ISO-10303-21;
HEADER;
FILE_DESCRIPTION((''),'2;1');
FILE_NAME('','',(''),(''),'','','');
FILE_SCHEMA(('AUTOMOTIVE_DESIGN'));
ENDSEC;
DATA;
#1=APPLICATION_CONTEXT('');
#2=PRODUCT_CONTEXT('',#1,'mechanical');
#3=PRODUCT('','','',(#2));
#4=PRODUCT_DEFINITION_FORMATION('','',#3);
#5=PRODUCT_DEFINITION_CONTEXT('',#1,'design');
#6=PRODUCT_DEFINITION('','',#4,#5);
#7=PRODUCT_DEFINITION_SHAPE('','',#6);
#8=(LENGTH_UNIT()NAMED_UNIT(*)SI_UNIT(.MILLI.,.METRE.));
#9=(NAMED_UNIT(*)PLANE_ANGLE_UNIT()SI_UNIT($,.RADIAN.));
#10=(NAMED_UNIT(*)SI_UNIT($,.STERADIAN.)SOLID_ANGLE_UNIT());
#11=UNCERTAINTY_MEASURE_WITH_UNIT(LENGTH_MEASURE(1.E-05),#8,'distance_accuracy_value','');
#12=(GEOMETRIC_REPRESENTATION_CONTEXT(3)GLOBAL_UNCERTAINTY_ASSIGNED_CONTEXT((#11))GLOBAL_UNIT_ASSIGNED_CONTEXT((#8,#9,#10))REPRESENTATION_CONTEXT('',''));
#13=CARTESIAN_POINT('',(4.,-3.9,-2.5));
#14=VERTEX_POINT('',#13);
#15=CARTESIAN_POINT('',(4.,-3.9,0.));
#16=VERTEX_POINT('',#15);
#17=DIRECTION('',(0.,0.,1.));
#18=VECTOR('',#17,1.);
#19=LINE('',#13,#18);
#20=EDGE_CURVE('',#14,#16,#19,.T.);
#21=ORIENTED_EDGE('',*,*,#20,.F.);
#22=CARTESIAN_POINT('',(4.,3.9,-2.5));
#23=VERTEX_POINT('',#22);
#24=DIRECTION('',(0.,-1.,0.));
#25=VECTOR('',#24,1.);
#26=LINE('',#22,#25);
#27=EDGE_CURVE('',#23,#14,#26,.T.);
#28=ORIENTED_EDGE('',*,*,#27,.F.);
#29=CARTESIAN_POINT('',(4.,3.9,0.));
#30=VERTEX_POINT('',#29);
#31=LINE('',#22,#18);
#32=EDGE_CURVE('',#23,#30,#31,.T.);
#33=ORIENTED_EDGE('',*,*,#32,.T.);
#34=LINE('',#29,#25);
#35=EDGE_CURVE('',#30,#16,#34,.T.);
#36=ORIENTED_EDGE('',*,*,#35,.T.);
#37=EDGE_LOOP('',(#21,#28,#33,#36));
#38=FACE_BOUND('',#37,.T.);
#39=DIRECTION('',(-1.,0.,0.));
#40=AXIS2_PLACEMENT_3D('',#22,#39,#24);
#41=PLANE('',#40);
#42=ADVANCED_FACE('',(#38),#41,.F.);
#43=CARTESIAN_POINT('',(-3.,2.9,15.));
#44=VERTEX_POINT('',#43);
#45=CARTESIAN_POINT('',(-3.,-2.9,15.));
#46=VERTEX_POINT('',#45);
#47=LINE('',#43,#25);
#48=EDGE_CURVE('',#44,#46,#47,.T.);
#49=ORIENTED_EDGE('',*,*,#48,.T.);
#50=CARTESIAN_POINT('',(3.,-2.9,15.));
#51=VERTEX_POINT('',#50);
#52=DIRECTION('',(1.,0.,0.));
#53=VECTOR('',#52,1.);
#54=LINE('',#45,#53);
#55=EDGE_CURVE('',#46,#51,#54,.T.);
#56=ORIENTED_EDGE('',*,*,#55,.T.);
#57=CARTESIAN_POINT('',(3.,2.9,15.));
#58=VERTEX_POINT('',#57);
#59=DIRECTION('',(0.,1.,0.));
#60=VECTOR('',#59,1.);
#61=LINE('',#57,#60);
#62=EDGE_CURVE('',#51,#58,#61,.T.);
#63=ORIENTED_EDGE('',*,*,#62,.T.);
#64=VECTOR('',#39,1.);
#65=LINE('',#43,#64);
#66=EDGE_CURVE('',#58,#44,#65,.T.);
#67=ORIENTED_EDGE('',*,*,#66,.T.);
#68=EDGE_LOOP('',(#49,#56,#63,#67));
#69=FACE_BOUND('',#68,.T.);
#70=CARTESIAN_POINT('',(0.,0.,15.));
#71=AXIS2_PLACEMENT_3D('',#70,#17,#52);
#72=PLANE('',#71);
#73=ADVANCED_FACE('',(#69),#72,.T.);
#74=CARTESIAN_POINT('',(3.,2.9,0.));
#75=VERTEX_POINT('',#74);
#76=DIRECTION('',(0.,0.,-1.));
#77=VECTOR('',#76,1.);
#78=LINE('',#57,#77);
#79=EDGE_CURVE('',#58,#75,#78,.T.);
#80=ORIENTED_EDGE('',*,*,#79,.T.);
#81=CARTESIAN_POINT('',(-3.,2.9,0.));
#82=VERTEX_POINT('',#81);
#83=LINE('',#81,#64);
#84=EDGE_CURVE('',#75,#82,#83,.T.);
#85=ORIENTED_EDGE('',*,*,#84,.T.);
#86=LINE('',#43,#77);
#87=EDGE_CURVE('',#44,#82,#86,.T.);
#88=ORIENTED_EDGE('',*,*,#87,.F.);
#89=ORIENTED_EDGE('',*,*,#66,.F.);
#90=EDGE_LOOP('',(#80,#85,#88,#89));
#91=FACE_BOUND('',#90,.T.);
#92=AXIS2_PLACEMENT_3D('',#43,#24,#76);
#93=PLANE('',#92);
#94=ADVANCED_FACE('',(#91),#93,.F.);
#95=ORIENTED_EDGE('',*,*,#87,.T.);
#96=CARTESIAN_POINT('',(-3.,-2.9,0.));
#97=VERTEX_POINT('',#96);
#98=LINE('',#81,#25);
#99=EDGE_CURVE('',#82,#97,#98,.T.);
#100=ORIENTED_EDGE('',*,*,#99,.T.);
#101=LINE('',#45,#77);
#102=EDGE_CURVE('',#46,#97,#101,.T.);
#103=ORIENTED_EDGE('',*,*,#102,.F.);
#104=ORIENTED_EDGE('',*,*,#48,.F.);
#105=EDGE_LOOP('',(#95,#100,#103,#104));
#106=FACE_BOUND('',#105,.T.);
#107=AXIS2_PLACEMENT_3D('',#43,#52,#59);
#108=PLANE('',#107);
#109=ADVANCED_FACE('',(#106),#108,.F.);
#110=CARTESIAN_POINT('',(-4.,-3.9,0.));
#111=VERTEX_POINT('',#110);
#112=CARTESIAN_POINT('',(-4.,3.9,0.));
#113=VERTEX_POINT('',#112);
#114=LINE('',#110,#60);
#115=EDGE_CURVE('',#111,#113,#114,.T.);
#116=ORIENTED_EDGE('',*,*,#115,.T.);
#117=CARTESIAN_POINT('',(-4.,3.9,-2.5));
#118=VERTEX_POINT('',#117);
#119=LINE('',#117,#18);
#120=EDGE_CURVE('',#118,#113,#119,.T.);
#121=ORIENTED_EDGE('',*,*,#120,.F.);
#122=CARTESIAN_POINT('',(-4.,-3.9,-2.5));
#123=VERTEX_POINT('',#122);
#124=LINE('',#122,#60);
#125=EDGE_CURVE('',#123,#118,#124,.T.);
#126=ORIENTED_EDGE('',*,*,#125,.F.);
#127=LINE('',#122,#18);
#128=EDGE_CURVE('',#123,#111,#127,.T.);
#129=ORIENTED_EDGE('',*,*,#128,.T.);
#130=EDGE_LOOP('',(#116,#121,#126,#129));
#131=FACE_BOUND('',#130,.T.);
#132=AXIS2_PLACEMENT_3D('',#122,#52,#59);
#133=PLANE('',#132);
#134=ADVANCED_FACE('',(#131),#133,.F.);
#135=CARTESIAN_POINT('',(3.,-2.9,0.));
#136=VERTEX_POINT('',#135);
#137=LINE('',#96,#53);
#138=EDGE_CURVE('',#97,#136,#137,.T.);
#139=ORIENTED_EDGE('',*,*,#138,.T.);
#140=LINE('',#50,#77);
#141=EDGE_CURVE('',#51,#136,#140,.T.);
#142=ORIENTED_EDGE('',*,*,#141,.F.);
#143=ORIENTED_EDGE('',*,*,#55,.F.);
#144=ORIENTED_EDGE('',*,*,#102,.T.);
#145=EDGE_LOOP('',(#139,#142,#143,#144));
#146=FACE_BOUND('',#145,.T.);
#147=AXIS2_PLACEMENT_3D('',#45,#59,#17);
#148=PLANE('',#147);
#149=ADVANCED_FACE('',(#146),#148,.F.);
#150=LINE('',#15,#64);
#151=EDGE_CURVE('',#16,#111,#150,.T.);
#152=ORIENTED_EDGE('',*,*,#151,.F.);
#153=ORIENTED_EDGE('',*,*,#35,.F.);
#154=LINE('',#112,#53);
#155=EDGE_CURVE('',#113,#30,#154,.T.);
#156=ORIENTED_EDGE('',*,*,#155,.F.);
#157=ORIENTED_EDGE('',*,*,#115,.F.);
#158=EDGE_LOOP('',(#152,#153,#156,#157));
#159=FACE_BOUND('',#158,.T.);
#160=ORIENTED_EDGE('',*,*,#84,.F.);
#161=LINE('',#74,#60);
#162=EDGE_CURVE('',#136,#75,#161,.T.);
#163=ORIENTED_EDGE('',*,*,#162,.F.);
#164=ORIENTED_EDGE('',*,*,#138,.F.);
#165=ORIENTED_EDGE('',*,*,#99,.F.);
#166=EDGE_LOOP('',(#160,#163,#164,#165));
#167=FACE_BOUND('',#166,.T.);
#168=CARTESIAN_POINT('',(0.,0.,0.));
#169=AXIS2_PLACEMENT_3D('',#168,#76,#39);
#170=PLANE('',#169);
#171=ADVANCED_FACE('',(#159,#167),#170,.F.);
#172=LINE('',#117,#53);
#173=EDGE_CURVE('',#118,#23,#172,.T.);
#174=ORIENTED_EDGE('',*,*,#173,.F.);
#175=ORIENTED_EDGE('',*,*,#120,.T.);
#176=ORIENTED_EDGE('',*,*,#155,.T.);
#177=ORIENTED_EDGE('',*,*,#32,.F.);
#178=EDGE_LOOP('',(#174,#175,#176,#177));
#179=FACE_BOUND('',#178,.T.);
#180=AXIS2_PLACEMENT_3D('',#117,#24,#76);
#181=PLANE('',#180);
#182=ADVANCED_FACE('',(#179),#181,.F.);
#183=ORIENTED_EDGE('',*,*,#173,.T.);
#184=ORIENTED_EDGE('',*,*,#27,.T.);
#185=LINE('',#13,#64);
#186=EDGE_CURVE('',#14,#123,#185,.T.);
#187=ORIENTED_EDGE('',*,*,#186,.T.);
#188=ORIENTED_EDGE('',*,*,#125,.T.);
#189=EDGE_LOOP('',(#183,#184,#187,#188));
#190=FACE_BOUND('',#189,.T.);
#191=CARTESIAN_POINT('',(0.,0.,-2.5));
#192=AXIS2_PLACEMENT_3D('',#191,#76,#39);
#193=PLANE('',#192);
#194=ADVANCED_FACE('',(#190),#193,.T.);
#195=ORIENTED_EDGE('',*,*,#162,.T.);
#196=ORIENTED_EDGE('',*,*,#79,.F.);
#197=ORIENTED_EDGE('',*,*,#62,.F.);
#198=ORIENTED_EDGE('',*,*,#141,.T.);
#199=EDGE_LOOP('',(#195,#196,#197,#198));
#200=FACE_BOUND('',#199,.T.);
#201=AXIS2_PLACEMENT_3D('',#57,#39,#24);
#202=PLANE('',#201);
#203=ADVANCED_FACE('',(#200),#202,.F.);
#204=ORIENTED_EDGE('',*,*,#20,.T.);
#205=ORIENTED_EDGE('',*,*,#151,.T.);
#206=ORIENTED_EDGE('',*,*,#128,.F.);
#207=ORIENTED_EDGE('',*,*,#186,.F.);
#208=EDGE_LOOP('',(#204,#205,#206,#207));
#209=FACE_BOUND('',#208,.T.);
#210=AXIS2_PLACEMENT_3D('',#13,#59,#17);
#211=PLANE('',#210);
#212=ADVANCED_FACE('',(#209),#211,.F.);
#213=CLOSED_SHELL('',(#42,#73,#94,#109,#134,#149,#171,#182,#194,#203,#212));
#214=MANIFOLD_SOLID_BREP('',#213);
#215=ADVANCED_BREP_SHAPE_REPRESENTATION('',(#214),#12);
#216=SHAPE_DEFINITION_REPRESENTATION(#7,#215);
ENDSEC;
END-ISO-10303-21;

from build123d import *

# Parameters (mm, degrees)
SKETCH1_W           = 6
SKETCH1_H           = 5.8
BOSS_EXTRUDE1_DEPTH = 15
SKETCH2_W           = 8
SKETCH2_H           = 7.8
BOSS_EXTRUDE2_DEPTH = 2.5


with BuildPart() as part:
    # Sketch1 → Boss-Extrude1 (new body)
    with BuildSketch(Plane.XY):
        Rectangle(SKETCH1_W, SKETCH1_H)
    extrude(amount=BOSS_EXTRUDE1_DEPTH)

    # Sketch2 → Boss-Extrude2 (add)
    with BuildSketch(Plane(origin=(0, 0, 0), x_dir=(-1, 0, 0), z_dir=(0, 0, -1))):
        Rectangle(SKETCH2_W, SKETCH2_H)
    extrude(amount=BOSS_EXTRUDE2_DEPTH)


solid = part.part
